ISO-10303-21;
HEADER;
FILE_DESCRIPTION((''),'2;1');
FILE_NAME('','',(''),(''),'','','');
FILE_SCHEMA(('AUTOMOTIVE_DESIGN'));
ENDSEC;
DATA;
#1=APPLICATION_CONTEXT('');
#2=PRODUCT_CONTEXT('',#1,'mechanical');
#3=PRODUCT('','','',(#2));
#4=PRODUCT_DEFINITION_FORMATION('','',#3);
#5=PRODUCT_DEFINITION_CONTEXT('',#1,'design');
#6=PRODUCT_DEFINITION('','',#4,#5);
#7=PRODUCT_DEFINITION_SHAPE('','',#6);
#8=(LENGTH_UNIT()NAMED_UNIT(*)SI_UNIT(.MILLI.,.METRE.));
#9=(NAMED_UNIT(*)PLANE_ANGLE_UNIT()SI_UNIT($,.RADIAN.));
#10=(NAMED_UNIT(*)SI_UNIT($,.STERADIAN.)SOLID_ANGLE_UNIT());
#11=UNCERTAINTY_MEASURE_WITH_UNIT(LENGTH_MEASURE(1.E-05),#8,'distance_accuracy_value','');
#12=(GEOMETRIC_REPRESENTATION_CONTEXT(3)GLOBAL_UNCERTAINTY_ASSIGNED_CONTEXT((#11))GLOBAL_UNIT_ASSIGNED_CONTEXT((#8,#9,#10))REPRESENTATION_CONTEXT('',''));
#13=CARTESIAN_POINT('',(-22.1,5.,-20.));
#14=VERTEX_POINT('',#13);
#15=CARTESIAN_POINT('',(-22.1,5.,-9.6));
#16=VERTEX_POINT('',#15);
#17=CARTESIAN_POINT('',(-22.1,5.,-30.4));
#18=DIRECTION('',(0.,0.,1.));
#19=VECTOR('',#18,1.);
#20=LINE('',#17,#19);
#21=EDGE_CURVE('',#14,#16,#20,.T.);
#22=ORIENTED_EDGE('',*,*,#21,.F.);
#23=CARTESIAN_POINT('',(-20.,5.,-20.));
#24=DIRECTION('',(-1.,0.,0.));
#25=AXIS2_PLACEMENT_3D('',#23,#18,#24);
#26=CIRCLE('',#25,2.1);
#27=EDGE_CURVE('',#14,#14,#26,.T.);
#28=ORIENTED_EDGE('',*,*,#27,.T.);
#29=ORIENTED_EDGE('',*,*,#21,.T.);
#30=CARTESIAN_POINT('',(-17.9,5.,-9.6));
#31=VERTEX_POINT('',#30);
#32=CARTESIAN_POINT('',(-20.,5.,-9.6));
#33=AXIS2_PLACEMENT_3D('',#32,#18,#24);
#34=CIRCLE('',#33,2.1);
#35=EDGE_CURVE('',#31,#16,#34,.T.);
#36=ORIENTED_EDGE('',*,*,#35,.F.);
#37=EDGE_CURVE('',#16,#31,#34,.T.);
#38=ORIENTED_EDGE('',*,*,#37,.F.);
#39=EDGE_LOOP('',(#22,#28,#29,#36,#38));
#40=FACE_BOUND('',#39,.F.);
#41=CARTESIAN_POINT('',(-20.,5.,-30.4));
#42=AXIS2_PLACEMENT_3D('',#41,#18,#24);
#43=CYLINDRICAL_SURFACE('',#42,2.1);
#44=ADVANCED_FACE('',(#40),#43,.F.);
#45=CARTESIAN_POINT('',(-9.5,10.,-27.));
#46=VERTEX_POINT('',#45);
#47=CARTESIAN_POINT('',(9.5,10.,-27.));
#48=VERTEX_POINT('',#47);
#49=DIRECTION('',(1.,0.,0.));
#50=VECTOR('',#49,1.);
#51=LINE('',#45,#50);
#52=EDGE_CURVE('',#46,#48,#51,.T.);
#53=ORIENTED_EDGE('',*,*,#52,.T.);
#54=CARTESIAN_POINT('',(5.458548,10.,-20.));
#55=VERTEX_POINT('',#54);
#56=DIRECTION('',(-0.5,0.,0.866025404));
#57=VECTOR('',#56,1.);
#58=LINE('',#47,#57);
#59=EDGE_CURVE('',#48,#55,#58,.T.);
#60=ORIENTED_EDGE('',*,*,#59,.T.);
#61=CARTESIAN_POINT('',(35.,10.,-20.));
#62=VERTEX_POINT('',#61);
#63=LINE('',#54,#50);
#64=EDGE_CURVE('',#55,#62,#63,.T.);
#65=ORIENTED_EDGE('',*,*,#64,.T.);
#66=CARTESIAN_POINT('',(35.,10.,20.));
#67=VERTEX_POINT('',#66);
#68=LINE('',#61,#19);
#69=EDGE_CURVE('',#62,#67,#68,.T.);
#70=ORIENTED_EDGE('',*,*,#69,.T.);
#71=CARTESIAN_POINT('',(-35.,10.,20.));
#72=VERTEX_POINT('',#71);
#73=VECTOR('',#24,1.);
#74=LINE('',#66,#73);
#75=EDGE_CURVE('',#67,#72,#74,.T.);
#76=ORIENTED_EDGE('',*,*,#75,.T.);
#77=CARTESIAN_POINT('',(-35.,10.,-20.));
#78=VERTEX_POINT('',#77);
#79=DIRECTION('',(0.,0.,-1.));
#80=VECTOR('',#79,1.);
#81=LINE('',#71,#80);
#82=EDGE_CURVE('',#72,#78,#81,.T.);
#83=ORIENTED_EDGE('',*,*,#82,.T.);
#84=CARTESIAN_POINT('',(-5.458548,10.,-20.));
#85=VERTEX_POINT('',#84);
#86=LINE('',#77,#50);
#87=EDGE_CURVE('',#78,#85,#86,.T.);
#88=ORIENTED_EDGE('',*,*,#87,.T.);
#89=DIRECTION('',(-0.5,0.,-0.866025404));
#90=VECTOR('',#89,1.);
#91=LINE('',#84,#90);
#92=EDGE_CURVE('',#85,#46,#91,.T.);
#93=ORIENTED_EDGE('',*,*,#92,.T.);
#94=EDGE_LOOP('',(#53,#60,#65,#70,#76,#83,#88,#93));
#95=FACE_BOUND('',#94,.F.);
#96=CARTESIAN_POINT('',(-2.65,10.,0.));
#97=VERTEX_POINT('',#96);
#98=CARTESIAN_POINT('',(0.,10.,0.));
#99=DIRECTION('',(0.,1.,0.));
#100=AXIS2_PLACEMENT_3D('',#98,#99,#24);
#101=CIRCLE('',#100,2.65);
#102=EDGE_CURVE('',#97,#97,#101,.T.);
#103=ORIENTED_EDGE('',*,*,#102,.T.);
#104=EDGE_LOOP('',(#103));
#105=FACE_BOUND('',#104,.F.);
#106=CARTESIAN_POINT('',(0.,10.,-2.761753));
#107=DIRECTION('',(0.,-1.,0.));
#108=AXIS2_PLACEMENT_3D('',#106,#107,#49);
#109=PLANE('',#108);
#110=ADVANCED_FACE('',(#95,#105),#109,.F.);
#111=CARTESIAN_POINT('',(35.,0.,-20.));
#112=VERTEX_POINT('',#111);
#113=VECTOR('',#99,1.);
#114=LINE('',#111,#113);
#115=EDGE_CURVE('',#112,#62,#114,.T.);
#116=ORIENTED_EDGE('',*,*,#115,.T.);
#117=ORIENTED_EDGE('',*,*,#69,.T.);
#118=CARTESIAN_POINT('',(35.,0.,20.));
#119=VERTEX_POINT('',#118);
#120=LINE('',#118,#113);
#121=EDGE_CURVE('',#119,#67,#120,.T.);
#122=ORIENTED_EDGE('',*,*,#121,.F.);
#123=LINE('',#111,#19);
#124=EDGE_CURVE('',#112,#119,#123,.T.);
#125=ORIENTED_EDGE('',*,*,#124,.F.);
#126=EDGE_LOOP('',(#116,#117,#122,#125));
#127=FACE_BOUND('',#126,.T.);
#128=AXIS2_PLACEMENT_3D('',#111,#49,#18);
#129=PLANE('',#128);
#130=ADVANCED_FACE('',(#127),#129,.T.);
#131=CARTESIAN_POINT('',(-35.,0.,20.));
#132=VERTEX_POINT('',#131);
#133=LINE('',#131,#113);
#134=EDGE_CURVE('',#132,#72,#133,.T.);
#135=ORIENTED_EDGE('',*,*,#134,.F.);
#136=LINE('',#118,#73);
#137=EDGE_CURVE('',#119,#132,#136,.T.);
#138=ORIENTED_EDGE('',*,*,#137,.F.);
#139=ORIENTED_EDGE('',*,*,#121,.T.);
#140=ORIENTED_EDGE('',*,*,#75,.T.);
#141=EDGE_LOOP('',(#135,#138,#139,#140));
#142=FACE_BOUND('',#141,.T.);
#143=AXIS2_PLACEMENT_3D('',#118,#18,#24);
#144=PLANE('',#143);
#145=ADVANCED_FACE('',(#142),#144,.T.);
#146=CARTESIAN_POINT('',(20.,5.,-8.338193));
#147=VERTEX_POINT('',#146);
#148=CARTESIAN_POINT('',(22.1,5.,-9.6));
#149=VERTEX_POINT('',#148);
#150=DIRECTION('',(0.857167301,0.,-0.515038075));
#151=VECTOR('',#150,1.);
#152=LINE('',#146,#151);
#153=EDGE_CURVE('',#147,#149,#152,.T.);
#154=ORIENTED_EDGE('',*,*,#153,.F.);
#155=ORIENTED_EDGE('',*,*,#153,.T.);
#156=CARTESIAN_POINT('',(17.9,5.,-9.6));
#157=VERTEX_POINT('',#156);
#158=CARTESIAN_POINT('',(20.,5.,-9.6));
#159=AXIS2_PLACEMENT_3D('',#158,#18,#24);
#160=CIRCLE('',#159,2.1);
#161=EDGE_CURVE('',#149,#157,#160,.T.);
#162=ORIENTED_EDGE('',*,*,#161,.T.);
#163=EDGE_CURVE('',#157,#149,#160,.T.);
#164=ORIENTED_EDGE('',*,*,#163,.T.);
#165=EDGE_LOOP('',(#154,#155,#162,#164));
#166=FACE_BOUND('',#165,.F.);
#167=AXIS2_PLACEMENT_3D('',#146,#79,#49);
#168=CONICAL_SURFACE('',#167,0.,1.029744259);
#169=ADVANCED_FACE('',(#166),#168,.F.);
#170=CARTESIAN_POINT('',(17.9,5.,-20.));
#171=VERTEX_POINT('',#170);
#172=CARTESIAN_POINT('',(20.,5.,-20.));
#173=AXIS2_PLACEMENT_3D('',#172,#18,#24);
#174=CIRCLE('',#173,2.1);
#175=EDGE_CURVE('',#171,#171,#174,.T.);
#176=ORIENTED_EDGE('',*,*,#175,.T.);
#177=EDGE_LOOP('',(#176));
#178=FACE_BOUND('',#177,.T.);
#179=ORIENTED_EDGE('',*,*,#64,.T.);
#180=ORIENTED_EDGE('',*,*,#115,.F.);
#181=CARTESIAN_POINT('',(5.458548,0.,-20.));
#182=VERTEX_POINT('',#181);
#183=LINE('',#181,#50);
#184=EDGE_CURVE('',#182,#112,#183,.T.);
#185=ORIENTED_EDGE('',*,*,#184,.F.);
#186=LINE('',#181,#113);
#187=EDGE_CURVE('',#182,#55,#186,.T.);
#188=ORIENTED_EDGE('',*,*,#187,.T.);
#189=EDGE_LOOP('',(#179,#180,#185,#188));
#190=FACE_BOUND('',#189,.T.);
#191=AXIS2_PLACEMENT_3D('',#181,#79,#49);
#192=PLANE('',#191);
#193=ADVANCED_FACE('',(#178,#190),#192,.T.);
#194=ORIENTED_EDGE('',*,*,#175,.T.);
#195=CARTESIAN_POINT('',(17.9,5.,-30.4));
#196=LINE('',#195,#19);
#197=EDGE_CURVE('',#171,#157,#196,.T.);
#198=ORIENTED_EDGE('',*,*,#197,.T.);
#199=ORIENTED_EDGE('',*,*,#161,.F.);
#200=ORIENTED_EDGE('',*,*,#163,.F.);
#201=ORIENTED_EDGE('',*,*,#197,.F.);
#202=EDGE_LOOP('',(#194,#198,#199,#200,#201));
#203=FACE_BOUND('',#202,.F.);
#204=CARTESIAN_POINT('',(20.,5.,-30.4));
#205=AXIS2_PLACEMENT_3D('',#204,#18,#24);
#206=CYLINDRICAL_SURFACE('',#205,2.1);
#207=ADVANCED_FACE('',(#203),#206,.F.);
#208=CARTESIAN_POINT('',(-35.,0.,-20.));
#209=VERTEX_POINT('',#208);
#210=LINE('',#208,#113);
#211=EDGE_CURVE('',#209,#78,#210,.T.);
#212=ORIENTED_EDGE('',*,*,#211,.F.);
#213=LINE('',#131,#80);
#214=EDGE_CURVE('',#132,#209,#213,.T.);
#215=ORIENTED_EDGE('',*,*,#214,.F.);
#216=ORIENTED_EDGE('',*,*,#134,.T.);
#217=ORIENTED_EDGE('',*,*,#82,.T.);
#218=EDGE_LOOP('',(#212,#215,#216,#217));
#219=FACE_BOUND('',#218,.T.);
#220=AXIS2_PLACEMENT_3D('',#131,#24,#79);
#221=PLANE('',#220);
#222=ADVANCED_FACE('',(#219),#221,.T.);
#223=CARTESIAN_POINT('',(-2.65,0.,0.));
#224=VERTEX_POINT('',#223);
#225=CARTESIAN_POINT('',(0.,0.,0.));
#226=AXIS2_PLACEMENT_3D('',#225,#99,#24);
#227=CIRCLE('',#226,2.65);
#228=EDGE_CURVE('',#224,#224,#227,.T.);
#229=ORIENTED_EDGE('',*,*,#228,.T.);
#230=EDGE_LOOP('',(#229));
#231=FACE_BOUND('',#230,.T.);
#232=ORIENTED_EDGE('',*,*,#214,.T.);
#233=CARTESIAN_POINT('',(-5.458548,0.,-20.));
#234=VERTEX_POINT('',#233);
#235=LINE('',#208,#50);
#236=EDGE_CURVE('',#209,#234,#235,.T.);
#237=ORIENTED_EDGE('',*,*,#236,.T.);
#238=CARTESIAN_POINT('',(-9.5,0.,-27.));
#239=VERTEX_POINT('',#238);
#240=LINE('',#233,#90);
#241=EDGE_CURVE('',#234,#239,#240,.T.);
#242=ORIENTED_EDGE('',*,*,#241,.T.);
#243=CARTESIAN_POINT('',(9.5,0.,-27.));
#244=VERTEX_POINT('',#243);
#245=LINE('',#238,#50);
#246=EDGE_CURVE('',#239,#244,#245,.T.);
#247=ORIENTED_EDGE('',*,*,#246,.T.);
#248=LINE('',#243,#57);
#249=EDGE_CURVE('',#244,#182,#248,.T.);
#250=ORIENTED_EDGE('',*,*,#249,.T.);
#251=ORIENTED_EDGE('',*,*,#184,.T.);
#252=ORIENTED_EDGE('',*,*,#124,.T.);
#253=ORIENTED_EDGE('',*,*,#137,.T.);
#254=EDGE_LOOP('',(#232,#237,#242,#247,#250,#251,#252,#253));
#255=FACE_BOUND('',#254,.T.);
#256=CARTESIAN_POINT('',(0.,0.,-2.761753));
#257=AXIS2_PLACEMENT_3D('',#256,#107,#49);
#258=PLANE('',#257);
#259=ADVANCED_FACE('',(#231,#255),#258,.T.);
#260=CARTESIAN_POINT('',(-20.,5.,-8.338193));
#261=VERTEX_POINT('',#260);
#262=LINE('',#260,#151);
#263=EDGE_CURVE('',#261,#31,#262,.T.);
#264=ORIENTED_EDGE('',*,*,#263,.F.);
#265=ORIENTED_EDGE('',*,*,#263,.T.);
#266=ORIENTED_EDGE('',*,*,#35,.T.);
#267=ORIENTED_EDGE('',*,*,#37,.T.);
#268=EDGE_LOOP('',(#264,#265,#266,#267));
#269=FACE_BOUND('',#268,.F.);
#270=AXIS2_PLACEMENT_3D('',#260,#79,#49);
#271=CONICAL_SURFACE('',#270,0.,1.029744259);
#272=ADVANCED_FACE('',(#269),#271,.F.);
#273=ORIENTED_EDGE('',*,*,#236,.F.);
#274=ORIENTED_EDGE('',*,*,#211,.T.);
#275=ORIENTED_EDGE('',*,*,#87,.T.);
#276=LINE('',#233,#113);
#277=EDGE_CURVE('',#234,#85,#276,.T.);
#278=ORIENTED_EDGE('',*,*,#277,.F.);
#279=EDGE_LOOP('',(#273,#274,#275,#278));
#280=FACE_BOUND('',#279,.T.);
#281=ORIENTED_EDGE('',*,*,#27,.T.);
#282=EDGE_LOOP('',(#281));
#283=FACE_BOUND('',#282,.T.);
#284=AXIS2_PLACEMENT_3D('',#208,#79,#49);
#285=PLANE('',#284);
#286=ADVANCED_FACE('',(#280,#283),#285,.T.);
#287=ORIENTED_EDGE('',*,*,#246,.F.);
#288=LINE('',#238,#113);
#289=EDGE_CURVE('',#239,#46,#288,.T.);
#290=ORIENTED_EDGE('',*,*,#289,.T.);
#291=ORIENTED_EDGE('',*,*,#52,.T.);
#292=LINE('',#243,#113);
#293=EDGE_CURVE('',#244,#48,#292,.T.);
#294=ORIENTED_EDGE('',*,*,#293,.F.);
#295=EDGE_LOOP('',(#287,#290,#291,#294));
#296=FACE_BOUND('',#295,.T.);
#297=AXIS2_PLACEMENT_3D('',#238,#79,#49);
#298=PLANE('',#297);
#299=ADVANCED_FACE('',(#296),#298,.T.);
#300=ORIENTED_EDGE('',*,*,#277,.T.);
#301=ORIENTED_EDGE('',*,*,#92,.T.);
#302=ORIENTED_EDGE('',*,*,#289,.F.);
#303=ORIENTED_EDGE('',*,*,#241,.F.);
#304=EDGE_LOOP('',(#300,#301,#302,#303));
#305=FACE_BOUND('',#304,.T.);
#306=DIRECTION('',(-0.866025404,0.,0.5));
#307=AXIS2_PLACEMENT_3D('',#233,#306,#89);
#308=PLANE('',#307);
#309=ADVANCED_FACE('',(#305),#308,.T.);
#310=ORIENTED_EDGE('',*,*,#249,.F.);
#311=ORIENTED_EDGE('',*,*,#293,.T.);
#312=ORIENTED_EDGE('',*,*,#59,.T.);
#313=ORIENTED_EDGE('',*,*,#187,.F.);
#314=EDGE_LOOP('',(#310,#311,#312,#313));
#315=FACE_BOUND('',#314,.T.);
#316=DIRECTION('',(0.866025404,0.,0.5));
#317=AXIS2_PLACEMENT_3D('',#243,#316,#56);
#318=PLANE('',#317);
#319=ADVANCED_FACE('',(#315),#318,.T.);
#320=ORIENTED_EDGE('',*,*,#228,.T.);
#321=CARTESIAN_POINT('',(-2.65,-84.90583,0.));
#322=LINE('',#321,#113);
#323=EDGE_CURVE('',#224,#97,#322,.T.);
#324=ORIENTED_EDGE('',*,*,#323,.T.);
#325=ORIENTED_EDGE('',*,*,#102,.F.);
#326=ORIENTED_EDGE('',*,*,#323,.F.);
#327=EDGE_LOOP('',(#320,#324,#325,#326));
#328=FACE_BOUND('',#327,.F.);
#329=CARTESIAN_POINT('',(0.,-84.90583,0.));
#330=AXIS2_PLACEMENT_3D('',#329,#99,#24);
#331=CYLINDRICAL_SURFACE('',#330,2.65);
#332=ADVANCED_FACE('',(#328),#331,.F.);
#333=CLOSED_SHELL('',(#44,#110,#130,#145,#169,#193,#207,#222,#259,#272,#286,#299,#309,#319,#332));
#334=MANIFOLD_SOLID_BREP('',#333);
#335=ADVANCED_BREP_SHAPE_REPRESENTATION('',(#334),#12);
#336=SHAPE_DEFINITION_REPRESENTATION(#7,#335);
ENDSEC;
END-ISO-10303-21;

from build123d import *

# Parameters (mm, degrees)
F1_DEPTH = 10
F2_D     = 5.3
F4_D     = 4.2
F4_DEPTH = 10.4
F4_TIP   = 1.2618073


with BuildPart() as f1:
    # F0 (on Front) → F1 (new body)
    with BuildSketch(Plane.XZ):
        Polygon((35, -20), (35, 0), (35, 20), (-35, 20), (-35, -20), (-5.4585481157, -20), (-9.5, -27), (0, -27), (9.5, -27), (5.4585481157, -20), align=None)
    extrude(amount=-F1_DEPTH)

    # F2 (through all)
    with Locations(Plane.XZ):
        with Locations((0, 0)):
            Hole(F2_D / 2)

    # F4
    with Locations(Plane(origin=(0, 0, -20), x_dir=(1, 0, 0), z_dir=(0, 0, -1))):
        with Locations((-20, -5), (20, -5)):
            Hole(F4_D / 2, depth=F4_DEPTH)
            with Locations((0, 0, -(F4_DEPTH + F4_TIP / 2))):  # 118° drill point
                Cone(0, F4_D / 2, F4_TIP, mode=Mode.SUBTRACT)


solid = f1.part
